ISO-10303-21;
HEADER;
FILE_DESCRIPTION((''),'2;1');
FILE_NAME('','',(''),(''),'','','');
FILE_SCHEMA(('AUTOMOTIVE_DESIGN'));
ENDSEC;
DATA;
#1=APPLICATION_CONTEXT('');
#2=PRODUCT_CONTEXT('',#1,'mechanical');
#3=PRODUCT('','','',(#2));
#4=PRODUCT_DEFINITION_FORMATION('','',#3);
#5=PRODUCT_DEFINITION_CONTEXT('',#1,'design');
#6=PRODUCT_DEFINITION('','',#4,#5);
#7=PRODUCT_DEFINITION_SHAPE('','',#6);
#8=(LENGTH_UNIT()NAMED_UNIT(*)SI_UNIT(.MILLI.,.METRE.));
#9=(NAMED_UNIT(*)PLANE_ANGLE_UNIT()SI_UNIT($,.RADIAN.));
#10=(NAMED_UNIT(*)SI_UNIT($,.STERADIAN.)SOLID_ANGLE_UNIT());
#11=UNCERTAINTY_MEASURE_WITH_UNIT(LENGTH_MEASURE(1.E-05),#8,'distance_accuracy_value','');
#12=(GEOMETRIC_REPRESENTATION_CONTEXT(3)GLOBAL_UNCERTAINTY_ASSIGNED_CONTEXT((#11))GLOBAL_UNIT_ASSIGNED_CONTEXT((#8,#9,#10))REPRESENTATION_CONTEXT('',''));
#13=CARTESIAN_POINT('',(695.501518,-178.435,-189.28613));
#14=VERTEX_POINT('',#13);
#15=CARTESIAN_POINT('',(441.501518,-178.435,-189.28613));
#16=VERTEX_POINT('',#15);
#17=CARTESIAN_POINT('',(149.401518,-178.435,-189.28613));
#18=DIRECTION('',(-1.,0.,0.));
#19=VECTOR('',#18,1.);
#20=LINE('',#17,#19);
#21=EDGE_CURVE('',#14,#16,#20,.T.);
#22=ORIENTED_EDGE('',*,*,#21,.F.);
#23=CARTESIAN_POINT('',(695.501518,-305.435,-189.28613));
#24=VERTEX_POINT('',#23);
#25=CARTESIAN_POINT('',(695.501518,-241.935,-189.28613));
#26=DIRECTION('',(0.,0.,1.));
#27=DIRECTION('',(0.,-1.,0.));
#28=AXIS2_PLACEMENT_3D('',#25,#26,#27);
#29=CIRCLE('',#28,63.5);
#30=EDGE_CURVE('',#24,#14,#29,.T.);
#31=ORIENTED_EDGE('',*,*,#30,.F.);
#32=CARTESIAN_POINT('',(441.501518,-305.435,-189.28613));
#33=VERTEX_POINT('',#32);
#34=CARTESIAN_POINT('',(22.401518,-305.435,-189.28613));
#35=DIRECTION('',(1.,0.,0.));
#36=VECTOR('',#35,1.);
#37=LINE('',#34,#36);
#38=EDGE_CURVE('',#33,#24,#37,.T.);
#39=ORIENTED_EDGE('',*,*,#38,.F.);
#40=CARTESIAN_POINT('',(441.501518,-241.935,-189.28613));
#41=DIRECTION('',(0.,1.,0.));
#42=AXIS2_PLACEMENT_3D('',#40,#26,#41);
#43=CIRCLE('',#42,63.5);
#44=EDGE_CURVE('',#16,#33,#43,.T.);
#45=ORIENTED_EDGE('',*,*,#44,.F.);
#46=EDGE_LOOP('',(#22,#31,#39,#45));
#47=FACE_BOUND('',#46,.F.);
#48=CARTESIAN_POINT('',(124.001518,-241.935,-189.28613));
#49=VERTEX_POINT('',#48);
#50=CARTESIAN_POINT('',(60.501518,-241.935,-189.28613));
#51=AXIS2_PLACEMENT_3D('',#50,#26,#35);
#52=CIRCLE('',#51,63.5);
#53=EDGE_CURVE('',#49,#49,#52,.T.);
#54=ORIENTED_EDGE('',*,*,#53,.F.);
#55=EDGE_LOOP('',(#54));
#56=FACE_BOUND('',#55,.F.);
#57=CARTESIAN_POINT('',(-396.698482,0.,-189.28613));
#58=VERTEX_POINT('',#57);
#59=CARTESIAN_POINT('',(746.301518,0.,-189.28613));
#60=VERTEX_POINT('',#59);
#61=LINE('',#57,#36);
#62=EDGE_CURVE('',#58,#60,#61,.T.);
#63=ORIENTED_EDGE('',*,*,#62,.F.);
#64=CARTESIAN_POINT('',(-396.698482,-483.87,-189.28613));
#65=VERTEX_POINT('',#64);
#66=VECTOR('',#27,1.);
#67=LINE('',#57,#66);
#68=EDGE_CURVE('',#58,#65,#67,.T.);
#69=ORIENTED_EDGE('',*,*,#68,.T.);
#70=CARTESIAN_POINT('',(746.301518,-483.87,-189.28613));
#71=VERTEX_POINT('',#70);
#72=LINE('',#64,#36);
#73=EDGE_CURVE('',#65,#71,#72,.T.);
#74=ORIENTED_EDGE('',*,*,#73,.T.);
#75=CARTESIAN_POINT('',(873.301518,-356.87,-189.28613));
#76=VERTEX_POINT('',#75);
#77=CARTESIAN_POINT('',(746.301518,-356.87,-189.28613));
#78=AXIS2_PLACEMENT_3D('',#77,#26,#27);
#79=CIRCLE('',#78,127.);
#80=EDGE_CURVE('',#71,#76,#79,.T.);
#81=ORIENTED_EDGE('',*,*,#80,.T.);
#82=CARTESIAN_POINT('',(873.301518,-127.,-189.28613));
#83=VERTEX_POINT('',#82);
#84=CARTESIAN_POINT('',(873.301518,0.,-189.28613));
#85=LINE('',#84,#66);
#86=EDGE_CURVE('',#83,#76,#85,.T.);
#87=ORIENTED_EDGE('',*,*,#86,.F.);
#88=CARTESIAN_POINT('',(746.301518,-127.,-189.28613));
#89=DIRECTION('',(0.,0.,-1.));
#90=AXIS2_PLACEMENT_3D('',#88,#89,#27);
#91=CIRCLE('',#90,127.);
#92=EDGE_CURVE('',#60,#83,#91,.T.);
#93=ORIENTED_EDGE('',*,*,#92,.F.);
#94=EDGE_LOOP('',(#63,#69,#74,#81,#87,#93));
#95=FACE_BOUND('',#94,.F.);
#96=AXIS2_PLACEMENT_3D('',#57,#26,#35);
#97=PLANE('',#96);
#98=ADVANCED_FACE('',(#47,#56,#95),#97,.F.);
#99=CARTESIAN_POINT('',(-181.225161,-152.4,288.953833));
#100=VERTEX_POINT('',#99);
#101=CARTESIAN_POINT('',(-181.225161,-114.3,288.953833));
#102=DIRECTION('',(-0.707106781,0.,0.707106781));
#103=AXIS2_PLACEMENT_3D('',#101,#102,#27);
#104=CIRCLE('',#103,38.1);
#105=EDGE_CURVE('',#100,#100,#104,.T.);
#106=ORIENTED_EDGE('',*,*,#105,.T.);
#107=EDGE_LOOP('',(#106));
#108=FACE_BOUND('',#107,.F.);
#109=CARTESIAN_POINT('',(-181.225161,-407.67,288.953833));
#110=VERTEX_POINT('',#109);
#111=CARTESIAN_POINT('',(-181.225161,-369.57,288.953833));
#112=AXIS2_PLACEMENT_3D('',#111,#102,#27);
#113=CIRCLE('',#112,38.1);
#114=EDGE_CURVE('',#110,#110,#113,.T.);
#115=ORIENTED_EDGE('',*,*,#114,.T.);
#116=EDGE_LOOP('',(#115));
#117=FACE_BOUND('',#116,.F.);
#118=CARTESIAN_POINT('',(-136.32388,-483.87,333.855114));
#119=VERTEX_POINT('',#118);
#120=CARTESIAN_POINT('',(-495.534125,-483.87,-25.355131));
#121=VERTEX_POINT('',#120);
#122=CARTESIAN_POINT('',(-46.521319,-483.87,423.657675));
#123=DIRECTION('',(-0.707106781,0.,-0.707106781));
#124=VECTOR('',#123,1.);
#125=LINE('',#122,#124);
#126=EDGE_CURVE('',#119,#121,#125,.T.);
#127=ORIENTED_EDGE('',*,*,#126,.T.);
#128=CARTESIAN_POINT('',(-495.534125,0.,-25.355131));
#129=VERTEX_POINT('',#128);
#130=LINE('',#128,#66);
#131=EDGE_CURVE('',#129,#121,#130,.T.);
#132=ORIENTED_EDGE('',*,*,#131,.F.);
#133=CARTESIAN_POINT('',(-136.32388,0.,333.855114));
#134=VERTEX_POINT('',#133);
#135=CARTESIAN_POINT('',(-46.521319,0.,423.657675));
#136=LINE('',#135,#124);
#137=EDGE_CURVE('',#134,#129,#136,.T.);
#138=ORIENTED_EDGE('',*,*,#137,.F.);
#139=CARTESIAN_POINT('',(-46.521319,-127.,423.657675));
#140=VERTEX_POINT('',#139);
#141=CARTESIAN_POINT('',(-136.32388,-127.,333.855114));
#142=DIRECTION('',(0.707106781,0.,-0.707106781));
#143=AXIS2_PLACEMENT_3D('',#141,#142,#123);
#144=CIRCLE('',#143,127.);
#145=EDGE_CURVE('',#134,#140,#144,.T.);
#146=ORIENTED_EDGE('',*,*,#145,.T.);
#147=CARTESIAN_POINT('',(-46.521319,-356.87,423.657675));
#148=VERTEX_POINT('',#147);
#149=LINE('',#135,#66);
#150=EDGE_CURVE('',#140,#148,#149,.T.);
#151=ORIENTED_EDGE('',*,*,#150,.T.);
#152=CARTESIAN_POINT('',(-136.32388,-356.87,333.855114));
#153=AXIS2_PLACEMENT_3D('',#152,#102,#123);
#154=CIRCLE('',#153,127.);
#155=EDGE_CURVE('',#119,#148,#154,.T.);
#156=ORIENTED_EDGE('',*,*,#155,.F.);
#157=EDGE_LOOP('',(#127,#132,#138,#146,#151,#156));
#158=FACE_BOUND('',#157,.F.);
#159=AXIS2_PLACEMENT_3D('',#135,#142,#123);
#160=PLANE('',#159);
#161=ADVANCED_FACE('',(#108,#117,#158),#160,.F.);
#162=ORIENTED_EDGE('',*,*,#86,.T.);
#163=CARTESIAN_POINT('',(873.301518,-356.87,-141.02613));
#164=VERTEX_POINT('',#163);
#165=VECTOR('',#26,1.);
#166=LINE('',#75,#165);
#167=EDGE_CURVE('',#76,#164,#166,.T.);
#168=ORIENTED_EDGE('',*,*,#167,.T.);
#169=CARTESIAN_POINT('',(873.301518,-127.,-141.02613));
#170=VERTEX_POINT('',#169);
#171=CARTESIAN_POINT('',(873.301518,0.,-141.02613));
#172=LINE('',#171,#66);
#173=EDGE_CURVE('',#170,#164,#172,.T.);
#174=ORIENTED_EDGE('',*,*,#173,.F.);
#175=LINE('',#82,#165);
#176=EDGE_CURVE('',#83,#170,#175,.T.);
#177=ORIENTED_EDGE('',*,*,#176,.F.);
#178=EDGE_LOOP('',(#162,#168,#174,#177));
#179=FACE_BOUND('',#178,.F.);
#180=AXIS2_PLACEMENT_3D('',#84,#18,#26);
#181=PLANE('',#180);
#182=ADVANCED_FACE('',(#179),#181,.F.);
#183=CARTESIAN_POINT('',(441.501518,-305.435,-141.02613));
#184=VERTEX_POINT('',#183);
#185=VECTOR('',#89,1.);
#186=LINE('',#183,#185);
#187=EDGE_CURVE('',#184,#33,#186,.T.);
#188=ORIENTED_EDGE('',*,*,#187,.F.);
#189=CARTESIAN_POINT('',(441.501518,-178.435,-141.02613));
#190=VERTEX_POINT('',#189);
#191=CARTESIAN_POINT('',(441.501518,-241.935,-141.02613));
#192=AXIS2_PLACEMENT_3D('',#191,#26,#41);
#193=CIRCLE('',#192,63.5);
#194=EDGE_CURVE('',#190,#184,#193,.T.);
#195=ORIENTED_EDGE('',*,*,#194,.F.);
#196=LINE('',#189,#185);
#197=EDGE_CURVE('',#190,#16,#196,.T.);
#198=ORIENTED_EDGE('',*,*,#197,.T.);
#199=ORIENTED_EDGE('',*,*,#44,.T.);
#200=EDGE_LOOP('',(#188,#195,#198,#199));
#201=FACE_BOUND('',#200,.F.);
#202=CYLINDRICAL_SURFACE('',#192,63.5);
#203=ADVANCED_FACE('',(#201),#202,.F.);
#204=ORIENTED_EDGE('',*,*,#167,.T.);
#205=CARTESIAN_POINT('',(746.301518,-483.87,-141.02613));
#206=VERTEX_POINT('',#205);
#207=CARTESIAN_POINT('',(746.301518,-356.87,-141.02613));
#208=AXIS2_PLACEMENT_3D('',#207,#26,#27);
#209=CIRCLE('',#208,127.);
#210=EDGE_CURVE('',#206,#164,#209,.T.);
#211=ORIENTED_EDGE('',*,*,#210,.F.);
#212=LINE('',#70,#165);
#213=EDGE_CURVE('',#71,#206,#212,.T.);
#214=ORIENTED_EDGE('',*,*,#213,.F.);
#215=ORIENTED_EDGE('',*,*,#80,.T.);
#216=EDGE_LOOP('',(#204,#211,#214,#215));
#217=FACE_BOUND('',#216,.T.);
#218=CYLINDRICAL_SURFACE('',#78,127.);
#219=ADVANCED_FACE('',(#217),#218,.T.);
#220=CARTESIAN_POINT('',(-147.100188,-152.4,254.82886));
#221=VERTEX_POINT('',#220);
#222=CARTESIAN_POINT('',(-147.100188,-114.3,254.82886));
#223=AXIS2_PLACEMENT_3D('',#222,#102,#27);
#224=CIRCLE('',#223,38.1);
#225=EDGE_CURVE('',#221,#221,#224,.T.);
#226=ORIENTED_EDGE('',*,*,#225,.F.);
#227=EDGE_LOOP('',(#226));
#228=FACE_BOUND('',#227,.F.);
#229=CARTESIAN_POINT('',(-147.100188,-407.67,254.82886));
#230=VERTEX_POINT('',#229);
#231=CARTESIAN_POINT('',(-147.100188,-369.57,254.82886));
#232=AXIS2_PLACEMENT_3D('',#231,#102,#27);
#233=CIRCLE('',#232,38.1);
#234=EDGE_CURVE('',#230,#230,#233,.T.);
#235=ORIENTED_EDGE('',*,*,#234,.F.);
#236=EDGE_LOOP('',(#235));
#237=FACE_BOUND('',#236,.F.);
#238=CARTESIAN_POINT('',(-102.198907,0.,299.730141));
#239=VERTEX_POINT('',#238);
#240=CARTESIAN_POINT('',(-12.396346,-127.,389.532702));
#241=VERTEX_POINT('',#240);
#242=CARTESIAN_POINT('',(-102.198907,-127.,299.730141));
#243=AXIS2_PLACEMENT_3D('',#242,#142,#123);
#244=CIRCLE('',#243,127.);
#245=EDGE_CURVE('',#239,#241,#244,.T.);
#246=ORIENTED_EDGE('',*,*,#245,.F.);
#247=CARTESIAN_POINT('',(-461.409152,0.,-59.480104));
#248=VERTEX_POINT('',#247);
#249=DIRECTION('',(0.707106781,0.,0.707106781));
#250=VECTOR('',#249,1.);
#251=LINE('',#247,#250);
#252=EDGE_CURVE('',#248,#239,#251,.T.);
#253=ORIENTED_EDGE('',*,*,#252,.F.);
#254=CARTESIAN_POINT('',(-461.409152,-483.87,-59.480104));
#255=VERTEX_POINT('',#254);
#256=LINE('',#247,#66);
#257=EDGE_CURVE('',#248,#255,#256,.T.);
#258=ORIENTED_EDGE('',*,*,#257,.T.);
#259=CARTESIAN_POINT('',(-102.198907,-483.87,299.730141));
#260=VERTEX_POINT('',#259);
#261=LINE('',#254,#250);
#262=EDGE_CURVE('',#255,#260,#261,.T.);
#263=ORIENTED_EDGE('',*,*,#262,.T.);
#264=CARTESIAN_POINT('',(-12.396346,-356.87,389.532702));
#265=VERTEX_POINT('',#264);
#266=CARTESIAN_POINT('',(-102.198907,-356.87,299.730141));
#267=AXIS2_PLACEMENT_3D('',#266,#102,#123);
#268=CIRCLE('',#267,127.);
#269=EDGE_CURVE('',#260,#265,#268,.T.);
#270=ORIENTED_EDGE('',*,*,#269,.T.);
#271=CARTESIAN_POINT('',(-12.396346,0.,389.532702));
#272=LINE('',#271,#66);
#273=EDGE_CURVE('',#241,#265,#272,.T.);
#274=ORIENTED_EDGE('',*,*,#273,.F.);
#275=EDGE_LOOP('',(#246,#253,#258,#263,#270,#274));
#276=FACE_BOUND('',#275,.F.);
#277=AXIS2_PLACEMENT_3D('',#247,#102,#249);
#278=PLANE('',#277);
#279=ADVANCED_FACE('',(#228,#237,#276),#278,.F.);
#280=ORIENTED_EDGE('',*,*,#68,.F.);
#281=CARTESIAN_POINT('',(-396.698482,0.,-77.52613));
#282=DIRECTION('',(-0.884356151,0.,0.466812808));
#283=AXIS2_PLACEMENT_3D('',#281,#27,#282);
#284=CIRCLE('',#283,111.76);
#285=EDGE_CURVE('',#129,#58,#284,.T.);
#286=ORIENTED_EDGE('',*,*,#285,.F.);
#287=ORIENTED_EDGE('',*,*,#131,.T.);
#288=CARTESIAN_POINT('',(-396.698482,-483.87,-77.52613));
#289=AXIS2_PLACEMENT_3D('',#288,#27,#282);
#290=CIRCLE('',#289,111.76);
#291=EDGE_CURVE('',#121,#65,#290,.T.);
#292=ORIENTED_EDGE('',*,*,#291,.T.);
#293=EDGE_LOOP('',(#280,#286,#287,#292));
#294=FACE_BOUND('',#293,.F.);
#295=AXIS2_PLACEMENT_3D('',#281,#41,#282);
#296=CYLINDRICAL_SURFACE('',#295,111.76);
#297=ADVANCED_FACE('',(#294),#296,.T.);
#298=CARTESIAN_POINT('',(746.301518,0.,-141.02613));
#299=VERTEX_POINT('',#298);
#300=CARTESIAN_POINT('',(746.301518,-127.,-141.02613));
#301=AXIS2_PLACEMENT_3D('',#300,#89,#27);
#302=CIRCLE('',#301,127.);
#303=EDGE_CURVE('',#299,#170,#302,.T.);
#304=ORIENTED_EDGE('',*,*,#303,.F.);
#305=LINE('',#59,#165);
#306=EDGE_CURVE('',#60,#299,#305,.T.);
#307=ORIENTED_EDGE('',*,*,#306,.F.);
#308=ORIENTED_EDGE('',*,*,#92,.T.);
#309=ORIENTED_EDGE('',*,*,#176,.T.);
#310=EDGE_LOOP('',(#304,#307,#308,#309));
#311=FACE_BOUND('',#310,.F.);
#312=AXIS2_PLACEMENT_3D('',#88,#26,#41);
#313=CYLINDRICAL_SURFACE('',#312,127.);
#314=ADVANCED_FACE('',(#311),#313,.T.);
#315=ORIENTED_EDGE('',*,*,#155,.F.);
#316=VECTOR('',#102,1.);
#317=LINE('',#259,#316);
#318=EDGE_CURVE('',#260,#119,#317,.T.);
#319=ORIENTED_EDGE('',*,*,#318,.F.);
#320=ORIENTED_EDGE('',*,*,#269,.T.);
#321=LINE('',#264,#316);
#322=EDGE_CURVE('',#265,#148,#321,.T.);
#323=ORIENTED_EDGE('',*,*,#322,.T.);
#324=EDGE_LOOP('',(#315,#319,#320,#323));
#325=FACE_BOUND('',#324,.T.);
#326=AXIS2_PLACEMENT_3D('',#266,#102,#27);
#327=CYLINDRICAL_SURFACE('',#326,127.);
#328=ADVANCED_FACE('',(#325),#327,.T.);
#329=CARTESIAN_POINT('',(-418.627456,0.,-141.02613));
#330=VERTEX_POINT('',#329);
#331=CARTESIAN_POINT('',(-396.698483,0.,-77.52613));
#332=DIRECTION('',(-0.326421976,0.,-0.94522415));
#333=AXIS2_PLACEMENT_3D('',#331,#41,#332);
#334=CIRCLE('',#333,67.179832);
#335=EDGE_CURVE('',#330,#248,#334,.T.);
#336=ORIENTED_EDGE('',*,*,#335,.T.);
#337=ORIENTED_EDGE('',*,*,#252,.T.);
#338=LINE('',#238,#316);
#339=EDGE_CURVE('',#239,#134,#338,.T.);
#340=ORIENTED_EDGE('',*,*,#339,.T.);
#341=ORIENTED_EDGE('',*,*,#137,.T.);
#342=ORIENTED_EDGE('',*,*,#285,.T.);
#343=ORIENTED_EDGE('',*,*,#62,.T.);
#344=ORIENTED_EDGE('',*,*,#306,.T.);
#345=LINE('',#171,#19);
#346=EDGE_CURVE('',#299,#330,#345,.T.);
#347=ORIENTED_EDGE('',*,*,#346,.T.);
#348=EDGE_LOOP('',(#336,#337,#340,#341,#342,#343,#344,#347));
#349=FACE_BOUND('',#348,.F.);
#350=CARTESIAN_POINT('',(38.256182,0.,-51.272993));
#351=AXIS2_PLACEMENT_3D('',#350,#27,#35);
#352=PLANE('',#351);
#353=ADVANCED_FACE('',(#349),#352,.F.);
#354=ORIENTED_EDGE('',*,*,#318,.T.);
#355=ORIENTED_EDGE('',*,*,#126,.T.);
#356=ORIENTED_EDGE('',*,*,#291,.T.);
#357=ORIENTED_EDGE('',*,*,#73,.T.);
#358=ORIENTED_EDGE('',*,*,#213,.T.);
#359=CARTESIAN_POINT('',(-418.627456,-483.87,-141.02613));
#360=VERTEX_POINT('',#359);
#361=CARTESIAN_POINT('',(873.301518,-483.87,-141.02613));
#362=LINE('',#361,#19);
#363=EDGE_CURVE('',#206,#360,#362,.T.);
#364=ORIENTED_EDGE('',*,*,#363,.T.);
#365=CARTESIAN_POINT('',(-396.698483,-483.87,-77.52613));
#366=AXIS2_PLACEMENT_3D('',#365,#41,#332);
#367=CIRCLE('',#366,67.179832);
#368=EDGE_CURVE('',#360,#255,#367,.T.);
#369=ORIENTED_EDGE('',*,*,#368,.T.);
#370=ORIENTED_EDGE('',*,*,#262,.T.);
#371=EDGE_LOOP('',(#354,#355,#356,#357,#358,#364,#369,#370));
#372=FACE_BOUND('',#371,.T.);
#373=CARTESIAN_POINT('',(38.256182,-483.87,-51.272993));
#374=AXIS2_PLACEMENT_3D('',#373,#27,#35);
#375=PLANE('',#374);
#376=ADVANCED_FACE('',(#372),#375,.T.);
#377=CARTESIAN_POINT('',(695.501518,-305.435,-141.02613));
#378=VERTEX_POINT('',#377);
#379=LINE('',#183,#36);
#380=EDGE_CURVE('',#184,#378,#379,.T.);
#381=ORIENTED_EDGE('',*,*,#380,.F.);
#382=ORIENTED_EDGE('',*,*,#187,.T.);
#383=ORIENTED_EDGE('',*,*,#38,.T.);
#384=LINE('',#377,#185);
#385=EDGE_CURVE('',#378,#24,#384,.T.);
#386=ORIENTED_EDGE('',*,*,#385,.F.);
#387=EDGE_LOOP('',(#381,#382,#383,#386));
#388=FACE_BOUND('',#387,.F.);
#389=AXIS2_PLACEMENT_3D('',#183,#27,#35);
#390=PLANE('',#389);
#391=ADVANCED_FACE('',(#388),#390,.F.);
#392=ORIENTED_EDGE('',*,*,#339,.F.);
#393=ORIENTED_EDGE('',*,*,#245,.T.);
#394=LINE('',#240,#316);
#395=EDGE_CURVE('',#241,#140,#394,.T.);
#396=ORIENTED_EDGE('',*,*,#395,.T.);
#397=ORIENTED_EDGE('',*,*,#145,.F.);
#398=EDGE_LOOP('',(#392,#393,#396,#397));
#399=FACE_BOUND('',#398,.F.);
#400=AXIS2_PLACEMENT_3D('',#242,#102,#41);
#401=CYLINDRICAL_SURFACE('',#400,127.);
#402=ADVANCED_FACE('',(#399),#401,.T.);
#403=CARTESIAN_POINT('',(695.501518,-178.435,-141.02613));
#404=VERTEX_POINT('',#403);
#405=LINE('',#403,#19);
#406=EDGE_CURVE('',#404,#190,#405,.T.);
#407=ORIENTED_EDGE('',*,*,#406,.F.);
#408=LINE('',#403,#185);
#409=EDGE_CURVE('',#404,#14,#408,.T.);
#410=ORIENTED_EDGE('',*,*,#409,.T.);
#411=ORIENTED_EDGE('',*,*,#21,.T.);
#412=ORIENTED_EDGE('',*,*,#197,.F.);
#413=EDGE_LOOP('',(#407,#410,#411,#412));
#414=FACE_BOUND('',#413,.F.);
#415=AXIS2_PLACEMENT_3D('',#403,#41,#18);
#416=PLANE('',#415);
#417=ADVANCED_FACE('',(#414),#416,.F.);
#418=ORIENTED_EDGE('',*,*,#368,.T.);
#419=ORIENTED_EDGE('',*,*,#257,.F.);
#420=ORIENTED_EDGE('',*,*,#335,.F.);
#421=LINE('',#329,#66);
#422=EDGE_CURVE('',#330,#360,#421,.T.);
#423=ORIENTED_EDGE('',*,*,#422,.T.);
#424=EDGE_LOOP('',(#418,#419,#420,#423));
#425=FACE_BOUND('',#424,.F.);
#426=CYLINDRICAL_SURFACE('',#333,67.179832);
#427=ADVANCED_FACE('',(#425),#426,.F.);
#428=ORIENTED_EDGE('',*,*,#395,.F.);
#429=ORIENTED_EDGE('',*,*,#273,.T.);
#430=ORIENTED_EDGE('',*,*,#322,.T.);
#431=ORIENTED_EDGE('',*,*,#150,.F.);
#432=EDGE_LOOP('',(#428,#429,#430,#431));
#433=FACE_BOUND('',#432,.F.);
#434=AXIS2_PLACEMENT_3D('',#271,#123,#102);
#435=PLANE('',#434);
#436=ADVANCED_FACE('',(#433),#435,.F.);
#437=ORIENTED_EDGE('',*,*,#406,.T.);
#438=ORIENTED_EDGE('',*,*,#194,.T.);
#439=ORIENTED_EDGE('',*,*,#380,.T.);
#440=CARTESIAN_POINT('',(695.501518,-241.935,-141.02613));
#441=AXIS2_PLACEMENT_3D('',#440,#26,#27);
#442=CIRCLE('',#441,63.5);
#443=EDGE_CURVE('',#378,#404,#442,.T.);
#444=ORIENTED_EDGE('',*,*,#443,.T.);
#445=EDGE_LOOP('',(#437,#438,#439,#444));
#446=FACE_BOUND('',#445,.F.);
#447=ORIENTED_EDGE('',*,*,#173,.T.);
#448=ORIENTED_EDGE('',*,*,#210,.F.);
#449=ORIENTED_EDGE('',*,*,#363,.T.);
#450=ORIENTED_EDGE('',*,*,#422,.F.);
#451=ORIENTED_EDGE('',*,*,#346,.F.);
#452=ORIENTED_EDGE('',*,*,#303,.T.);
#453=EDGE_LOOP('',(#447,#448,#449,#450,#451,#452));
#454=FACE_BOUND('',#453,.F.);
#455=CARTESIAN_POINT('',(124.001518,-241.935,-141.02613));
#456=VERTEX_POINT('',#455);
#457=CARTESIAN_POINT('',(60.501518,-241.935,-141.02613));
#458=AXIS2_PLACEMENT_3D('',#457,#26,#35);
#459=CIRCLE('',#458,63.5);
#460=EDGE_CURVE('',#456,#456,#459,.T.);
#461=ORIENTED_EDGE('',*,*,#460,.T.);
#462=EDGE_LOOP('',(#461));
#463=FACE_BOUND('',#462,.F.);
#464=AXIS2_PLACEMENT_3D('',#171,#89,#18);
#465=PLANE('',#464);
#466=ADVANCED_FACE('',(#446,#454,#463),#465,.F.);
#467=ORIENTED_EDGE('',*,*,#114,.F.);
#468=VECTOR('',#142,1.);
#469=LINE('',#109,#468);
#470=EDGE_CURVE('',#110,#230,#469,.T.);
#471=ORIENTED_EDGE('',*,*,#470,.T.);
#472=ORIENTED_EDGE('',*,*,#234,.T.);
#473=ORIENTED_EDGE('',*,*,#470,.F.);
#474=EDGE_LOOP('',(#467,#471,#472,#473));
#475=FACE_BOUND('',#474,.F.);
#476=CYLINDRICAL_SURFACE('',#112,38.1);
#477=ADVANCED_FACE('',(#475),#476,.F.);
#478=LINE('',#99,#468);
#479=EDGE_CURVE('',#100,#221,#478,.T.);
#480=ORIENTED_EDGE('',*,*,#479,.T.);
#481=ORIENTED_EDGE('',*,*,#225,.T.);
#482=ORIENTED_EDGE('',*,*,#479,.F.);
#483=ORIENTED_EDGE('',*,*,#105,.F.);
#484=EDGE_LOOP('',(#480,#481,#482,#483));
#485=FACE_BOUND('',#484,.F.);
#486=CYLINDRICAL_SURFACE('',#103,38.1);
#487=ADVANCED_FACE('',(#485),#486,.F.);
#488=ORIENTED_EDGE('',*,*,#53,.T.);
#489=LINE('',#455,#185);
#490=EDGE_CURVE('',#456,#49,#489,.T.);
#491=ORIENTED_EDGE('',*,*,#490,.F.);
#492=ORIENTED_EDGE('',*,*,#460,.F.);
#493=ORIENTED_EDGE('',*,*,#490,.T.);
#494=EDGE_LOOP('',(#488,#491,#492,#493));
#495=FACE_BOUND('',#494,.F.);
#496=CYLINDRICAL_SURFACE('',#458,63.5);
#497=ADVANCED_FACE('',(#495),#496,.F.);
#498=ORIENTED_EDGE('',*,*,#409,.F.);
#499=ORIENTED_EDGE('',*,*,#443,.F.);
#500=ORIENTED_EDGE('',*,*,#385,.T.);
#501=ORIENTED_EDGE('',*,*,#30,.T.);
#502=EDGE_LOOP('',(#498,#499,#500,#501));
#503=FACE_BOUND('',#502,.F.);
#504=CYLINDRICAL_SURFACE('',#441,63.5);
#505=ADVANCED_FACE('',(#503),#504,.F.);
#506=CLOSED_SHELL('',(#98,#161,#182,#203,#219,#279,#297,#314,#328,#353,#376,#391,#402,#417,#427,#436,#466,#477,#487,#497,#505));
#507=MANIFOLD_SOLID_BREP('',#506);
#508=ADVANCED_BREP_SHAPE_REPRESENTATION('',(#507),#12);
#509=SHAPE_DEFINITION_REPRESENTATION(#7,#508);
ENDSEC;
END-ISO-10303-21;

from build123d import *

# Parameters (mm, degrees)
F1_DEPTH = 483.87
F2_R     = 63.5
F3_DEPTH = 137.16
F4_R     = 127
F5_R     = 38.1
F6_DEPTH = 81.28
F7_R     = 127


with BuildPart() as f1:
    # F0 (on Front) → F1 (new body)
    with BuildSketch(Plane.XZ):
        with BuildLine():
            Line((-396.698482, -189.28613), (873.301518, -189.28613))
            Line((873.301518, -189.28613), (873.301518, -141.02613))
            Line((873.301518, -141.02613), (-418.627456, -141.02613))
            ThreePointArc((-418.627456, -141.02613), (-456.18836, -108.736454), (-461.409152, -59.480104))
            Line((-461.409152, -59.480104), (-12.396346, 389.532702))
            Line((-12.396346, 389.532702), (-46.521319, 423.657675))
            Line((-46.521319, 423.657675), (-495.534125, -25.355131))
            ThreePointArc((-495.534125, -25.355131), (-492.408796, -135.230838), (-396.698482, -189.28613))
        make_face()
    extrude(amount=F1_DEPTH)

    # F2 (on face) → F3 (cut)
    with BuildSketch(Plane.XY.offset(-141.02613)):
        with BuildLine():
            Line((441.501518, -305.435), (695.501518, -305.435))
            ThreePointArc((695.501518, -305.435), (759.001518, -241.935), (695.501518, -178.435))
            Line((695.501518, -178.435), (441.501518, -178.435))
            ThreePointArc((441.501518, -178.435), (378.001518, -241.935), (441.501518, -305.435))
        make_face()
        with Locations((60.501518, -241.935)):
            Circle(F2_R)
    extrude(amount=-F3_DEPTH, mode=Mode.SUBTRACT)

    # F4
    f4_edges = [f1.edges().sort_by_distance(p)[0] for p in [
        (873.301518, -483.87, -165.15613),
        (873.301518, 0, -165.15613),
    ]]
    fillet(f4_edges, radius=F4_R)

    # F5 (on face) → F6 (cut)
    with BuildSketch(Plane(origin=(-235.089497, 0, 235.089497), x_dir=(0, -1, 0), z_dir=(-0.707107, 0, 0.707107))):
        with Locations((369.57, 76.175675)):
            Circle(F5_R)
        with Locations((114.3, 76.175675)):
            Circle(F5_R)
    extrude(amount=-F6_DEPTH, mode=Mode.SUBTRACT)

    # F7
    f7_edges = [f1.edges().sort_by_distance(p)[0] for p in [
        (-29.458833, -483.87, 406.595189),
        (-29.458833, 0, 406.595189),
    ]]
    fillet(f7_edges, radius=F7_R)


solid = f1.part
